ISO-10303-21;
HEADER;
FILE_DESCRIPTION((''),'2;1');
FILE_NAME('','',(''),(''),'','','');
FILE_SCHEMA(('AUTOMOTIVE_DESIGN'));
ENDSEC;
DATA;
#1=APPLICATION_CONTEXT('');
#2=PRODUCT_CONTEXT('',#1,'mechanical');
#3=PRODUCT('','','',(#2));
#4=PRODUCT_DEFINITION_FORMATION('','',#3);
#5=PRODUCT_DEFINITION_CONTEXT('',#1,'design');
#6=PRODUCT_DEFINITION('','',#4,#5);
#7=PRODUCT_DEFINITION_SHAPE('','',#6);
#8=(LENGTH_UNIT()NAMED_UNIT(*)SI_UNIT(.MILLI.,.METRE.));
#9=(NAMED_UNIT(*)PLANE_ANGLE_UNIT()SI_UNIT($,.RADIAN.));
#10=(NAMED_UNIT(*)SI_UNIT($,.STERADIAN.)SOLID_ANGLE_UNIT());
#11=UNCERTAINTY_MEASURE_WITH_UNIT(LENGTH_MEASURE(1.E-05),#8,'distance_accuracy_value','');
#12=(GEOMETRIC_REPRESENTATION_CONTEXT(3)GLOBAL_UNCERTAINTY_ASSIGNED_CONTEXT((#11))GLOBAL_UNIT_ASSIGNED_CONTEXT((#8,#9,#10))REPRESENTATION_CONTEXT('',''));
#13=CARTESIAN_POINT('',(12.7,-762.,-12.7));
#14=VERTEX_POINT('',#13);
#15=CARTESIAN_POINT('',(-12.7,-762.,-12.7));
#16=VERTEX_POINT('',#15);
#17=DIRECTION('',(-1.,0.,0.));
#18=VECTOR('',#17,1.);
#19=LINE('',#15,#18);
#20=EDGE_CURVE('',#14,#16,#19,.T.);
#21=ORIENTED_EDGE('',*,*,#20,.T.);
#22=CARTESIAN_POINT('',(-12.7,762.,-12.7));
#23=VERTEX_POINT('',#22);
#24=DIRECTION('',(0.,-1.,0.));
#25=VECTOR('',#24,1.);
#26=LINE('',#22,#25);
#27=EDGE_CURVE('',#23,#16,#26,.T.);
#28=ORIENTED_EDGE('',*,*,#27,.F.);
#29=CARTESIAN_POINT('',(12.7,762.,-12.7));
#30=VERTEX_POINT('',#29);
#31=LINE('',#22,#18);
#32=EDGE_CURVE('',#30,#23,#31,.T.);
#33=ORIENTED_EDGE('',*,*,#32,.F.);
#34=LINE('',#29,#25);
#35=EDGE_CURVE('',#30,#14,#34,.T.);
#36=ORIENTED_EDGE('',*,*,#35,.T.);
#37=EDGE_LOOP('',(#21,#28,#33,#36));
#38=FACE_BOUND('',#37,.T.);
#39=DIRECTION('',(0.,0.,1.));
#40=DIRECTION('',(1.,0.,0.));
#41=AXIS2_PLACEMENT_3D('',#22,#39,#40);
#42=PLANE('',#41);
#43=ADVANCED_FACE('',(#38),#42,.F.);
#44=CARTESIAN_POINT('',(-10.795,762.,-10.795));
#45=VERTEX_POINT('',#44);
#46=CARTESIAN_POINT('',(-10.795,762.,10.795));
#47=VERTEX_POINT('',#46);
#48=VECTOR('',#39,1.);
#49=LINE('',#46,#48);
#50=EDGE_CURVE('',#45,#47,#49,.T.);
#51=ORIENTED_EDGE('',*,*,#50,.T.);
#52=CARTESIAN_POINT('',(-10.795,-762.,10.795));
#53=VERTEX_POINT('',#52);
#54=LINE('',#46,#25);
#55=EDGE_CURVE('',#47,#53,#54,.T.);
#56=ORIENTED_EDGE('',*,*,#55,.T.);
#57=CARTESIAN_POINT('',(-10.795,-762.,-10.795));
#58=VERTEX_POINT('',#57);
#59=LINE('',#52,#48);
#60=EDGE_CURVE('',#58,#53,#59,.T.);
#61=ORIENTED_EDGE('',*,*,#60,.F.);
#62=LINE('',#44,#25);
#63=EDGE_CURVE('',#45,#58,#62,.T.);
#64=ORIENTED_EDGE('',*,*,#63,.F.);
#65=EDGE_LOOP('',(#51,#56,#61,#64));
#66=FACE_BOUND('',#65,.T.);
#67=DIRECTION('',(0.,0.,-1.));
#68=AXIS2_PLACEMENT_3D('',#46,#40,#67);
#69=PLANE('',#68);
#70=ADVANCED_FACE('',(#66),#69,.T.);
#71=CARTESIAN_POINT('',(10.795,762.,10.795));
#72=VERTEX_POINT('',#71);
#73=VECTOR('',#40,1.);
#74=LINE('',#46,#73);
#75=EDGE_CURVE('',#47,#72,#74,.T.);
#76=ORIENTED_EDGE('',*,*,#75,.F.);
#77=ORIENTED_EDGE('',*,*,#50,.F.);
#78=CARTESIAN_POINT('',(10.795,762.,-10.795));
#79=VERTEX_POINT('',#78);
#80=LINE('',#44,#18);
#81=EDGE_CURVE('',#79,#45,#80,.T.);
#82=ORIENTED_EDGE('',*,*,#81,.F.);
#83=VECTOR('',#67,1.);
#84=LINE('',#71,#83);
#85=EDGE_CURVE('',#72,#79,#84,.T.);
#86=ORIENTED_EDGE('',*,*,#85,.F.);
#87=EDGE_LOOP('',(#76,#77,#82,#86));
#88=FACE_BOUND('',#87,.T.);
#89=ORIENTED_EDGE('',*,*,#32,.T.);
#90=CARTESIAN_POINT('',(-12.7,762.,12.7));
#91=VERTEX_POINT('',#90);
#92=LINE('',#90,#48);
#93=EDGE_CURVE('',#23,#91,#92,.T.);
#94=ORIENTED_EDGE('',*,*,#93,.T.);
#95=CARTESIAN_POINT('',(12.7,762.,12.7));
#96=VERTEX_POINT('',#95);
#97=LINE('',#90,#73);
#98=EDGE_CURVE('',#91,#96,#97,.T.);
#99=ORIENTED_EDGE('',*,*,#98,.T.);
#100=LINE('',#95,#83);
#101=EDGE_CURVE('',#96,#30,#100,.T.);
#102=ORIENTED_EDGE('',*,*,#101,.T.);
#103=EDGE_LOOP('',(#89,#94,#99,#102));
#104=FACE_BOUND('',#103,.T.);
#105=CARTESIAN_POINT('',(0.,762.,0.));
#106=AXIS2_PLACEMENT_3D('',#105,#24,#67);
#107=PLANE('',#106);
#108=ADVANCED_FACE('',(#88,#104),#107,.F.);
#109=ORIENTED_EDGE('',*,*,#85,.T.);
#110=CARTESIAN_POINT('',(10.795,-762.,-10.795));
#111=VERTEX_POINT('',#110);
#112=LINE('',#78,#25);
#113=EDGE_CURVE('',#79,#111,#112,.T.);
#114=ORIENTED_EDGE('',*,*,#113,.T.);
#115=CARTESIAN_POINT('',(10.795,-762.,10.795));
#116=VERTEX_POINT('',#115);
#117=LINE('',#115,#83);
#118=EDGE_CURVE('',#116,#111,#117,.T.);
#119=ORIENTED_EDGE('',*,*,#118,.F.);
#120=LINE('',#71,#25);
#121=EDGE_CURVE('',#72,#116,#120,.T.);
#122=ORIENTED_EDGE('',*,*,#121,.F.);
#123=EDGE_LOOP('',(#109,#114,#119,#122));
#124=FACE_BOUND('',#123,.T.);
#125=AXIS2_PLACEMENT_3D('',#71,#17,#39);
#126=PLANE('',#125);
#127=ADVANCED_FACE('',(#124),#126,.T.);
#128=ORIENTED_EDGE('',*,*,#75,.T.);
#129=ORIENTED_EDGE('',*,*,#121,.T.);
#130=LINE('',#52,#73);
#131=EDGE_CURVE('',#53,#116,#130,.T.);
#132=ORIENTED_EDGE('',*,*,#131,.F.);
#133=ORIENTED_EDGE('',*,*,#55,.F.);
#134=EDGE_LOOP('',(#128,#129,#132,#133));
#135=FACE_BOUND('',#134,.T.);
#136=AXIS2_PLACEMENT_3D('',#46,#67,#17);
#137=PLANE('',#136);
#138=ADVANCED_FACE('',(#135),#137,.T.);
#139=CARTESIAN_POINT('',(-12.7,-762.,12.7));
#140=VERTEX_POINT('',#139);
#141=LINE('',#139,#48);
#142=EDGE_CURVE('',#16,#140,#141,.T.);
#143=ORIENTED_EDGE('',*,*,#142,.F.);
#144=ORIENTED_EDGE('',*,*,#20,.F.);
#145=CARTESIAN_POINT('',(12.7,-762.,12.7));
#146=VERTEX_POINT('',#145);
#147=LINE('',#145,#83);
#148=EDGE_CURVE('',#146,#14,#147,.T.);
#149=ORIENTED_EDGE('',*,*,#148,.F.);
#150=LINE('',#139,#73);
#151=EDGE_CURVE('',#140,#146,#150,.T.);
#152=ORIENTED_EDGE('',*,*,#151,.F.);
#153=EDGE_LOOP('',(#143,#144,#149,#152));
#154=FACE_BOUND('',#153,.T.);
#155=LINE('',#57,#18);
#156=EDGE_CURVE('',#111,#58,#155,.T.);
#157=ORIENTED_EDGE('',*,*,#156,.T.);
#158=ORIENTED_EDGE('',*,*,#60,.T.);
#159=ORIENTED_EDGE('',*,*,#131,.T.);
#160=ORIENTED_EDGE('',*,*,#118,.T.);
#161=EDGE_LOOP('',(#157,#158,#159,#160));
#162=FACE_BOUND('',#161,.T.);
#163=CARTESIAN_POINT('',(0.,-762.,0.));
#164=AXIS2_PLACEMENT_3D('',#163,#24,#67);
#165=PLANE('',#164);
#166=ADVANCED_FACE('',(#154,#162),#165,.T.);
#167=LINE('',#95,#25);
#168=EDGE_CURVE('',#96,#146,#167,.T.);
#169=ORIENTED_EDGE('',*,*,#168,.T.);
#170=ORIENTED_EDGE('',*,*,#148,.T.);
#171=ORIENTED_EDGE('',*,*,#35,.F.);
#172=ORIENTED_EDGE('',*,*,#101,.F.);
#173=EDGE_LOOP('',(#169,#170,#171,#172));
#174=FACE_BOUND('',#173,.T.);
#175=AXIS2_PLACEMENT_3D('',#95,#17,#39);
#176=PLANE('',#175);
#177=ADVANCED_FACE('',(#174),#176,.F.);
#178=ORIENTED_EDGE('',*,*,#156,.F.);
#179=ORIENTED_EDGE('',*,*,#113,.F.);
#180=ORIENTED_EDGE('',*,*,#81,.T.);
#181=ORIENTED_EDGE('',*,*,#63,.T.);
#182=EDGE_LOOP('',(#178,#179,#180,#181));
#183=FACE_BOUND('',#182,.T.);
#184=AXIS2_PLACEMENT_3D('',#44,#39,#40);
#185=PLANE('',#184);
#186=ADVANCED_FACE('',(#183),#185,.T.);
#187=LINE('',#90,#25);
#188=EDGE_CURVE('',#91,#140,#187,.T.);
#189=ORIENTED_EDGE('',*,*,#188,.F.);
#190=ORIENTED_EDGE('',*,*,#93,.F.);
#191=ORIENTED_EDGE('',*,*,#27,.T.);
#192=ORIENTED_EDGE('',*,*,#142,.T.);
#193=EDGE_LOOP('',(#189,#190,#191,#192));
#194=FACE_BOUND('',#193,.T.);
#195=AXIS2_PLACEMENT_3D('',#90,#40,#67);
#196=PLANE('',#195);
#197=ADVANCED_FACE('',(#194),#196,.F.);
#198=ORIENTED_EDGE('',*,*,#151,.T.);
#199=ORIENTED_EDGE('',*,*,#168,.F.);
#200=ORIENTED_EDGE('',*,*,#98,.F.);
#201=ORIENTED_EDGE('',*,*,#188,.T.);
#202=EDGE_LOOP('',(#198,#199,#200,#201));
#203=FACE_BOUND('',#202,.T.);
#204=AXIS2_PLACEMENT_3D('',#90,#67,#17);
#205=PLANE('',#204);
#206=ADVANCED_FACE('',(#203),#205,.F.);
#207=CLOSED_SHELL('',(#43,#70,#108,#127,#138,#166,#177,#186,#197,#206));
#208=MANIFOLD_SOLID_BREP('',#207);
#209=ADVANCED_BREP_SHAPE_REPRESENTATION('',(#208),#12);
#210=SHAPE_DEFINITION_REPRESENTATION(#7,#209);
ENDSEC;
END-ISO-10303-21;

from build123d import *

# Parameters (mm, degrees)
SKETCH1_W           = 25.4
SKETCH1_H           = 25.4
SKETCH1_W_2         = 21.59
SKETCH1_H_2         = 21.59
BOSS_EXTRUDE1_DEPTH = 762


with BuildPart() as part:
    # Sketch1 → Boss-Extrude1 (new, symmetric)
    with BuildSketch(Plane(origin=(0, 0, 0), x_dir=(1, 0, 0), z_dir=(0, 1, 0))):
        Rectangle(SKETCH1_W, SKETCH1_H)
        Rectangle(SKETCH1_W_2, SKETCH1_H_2, mode=Mode.SUBTRACT)
    extrude(amount=BOSS_EXTRUDE1_DEPTH, both=True)


solid = part.part
